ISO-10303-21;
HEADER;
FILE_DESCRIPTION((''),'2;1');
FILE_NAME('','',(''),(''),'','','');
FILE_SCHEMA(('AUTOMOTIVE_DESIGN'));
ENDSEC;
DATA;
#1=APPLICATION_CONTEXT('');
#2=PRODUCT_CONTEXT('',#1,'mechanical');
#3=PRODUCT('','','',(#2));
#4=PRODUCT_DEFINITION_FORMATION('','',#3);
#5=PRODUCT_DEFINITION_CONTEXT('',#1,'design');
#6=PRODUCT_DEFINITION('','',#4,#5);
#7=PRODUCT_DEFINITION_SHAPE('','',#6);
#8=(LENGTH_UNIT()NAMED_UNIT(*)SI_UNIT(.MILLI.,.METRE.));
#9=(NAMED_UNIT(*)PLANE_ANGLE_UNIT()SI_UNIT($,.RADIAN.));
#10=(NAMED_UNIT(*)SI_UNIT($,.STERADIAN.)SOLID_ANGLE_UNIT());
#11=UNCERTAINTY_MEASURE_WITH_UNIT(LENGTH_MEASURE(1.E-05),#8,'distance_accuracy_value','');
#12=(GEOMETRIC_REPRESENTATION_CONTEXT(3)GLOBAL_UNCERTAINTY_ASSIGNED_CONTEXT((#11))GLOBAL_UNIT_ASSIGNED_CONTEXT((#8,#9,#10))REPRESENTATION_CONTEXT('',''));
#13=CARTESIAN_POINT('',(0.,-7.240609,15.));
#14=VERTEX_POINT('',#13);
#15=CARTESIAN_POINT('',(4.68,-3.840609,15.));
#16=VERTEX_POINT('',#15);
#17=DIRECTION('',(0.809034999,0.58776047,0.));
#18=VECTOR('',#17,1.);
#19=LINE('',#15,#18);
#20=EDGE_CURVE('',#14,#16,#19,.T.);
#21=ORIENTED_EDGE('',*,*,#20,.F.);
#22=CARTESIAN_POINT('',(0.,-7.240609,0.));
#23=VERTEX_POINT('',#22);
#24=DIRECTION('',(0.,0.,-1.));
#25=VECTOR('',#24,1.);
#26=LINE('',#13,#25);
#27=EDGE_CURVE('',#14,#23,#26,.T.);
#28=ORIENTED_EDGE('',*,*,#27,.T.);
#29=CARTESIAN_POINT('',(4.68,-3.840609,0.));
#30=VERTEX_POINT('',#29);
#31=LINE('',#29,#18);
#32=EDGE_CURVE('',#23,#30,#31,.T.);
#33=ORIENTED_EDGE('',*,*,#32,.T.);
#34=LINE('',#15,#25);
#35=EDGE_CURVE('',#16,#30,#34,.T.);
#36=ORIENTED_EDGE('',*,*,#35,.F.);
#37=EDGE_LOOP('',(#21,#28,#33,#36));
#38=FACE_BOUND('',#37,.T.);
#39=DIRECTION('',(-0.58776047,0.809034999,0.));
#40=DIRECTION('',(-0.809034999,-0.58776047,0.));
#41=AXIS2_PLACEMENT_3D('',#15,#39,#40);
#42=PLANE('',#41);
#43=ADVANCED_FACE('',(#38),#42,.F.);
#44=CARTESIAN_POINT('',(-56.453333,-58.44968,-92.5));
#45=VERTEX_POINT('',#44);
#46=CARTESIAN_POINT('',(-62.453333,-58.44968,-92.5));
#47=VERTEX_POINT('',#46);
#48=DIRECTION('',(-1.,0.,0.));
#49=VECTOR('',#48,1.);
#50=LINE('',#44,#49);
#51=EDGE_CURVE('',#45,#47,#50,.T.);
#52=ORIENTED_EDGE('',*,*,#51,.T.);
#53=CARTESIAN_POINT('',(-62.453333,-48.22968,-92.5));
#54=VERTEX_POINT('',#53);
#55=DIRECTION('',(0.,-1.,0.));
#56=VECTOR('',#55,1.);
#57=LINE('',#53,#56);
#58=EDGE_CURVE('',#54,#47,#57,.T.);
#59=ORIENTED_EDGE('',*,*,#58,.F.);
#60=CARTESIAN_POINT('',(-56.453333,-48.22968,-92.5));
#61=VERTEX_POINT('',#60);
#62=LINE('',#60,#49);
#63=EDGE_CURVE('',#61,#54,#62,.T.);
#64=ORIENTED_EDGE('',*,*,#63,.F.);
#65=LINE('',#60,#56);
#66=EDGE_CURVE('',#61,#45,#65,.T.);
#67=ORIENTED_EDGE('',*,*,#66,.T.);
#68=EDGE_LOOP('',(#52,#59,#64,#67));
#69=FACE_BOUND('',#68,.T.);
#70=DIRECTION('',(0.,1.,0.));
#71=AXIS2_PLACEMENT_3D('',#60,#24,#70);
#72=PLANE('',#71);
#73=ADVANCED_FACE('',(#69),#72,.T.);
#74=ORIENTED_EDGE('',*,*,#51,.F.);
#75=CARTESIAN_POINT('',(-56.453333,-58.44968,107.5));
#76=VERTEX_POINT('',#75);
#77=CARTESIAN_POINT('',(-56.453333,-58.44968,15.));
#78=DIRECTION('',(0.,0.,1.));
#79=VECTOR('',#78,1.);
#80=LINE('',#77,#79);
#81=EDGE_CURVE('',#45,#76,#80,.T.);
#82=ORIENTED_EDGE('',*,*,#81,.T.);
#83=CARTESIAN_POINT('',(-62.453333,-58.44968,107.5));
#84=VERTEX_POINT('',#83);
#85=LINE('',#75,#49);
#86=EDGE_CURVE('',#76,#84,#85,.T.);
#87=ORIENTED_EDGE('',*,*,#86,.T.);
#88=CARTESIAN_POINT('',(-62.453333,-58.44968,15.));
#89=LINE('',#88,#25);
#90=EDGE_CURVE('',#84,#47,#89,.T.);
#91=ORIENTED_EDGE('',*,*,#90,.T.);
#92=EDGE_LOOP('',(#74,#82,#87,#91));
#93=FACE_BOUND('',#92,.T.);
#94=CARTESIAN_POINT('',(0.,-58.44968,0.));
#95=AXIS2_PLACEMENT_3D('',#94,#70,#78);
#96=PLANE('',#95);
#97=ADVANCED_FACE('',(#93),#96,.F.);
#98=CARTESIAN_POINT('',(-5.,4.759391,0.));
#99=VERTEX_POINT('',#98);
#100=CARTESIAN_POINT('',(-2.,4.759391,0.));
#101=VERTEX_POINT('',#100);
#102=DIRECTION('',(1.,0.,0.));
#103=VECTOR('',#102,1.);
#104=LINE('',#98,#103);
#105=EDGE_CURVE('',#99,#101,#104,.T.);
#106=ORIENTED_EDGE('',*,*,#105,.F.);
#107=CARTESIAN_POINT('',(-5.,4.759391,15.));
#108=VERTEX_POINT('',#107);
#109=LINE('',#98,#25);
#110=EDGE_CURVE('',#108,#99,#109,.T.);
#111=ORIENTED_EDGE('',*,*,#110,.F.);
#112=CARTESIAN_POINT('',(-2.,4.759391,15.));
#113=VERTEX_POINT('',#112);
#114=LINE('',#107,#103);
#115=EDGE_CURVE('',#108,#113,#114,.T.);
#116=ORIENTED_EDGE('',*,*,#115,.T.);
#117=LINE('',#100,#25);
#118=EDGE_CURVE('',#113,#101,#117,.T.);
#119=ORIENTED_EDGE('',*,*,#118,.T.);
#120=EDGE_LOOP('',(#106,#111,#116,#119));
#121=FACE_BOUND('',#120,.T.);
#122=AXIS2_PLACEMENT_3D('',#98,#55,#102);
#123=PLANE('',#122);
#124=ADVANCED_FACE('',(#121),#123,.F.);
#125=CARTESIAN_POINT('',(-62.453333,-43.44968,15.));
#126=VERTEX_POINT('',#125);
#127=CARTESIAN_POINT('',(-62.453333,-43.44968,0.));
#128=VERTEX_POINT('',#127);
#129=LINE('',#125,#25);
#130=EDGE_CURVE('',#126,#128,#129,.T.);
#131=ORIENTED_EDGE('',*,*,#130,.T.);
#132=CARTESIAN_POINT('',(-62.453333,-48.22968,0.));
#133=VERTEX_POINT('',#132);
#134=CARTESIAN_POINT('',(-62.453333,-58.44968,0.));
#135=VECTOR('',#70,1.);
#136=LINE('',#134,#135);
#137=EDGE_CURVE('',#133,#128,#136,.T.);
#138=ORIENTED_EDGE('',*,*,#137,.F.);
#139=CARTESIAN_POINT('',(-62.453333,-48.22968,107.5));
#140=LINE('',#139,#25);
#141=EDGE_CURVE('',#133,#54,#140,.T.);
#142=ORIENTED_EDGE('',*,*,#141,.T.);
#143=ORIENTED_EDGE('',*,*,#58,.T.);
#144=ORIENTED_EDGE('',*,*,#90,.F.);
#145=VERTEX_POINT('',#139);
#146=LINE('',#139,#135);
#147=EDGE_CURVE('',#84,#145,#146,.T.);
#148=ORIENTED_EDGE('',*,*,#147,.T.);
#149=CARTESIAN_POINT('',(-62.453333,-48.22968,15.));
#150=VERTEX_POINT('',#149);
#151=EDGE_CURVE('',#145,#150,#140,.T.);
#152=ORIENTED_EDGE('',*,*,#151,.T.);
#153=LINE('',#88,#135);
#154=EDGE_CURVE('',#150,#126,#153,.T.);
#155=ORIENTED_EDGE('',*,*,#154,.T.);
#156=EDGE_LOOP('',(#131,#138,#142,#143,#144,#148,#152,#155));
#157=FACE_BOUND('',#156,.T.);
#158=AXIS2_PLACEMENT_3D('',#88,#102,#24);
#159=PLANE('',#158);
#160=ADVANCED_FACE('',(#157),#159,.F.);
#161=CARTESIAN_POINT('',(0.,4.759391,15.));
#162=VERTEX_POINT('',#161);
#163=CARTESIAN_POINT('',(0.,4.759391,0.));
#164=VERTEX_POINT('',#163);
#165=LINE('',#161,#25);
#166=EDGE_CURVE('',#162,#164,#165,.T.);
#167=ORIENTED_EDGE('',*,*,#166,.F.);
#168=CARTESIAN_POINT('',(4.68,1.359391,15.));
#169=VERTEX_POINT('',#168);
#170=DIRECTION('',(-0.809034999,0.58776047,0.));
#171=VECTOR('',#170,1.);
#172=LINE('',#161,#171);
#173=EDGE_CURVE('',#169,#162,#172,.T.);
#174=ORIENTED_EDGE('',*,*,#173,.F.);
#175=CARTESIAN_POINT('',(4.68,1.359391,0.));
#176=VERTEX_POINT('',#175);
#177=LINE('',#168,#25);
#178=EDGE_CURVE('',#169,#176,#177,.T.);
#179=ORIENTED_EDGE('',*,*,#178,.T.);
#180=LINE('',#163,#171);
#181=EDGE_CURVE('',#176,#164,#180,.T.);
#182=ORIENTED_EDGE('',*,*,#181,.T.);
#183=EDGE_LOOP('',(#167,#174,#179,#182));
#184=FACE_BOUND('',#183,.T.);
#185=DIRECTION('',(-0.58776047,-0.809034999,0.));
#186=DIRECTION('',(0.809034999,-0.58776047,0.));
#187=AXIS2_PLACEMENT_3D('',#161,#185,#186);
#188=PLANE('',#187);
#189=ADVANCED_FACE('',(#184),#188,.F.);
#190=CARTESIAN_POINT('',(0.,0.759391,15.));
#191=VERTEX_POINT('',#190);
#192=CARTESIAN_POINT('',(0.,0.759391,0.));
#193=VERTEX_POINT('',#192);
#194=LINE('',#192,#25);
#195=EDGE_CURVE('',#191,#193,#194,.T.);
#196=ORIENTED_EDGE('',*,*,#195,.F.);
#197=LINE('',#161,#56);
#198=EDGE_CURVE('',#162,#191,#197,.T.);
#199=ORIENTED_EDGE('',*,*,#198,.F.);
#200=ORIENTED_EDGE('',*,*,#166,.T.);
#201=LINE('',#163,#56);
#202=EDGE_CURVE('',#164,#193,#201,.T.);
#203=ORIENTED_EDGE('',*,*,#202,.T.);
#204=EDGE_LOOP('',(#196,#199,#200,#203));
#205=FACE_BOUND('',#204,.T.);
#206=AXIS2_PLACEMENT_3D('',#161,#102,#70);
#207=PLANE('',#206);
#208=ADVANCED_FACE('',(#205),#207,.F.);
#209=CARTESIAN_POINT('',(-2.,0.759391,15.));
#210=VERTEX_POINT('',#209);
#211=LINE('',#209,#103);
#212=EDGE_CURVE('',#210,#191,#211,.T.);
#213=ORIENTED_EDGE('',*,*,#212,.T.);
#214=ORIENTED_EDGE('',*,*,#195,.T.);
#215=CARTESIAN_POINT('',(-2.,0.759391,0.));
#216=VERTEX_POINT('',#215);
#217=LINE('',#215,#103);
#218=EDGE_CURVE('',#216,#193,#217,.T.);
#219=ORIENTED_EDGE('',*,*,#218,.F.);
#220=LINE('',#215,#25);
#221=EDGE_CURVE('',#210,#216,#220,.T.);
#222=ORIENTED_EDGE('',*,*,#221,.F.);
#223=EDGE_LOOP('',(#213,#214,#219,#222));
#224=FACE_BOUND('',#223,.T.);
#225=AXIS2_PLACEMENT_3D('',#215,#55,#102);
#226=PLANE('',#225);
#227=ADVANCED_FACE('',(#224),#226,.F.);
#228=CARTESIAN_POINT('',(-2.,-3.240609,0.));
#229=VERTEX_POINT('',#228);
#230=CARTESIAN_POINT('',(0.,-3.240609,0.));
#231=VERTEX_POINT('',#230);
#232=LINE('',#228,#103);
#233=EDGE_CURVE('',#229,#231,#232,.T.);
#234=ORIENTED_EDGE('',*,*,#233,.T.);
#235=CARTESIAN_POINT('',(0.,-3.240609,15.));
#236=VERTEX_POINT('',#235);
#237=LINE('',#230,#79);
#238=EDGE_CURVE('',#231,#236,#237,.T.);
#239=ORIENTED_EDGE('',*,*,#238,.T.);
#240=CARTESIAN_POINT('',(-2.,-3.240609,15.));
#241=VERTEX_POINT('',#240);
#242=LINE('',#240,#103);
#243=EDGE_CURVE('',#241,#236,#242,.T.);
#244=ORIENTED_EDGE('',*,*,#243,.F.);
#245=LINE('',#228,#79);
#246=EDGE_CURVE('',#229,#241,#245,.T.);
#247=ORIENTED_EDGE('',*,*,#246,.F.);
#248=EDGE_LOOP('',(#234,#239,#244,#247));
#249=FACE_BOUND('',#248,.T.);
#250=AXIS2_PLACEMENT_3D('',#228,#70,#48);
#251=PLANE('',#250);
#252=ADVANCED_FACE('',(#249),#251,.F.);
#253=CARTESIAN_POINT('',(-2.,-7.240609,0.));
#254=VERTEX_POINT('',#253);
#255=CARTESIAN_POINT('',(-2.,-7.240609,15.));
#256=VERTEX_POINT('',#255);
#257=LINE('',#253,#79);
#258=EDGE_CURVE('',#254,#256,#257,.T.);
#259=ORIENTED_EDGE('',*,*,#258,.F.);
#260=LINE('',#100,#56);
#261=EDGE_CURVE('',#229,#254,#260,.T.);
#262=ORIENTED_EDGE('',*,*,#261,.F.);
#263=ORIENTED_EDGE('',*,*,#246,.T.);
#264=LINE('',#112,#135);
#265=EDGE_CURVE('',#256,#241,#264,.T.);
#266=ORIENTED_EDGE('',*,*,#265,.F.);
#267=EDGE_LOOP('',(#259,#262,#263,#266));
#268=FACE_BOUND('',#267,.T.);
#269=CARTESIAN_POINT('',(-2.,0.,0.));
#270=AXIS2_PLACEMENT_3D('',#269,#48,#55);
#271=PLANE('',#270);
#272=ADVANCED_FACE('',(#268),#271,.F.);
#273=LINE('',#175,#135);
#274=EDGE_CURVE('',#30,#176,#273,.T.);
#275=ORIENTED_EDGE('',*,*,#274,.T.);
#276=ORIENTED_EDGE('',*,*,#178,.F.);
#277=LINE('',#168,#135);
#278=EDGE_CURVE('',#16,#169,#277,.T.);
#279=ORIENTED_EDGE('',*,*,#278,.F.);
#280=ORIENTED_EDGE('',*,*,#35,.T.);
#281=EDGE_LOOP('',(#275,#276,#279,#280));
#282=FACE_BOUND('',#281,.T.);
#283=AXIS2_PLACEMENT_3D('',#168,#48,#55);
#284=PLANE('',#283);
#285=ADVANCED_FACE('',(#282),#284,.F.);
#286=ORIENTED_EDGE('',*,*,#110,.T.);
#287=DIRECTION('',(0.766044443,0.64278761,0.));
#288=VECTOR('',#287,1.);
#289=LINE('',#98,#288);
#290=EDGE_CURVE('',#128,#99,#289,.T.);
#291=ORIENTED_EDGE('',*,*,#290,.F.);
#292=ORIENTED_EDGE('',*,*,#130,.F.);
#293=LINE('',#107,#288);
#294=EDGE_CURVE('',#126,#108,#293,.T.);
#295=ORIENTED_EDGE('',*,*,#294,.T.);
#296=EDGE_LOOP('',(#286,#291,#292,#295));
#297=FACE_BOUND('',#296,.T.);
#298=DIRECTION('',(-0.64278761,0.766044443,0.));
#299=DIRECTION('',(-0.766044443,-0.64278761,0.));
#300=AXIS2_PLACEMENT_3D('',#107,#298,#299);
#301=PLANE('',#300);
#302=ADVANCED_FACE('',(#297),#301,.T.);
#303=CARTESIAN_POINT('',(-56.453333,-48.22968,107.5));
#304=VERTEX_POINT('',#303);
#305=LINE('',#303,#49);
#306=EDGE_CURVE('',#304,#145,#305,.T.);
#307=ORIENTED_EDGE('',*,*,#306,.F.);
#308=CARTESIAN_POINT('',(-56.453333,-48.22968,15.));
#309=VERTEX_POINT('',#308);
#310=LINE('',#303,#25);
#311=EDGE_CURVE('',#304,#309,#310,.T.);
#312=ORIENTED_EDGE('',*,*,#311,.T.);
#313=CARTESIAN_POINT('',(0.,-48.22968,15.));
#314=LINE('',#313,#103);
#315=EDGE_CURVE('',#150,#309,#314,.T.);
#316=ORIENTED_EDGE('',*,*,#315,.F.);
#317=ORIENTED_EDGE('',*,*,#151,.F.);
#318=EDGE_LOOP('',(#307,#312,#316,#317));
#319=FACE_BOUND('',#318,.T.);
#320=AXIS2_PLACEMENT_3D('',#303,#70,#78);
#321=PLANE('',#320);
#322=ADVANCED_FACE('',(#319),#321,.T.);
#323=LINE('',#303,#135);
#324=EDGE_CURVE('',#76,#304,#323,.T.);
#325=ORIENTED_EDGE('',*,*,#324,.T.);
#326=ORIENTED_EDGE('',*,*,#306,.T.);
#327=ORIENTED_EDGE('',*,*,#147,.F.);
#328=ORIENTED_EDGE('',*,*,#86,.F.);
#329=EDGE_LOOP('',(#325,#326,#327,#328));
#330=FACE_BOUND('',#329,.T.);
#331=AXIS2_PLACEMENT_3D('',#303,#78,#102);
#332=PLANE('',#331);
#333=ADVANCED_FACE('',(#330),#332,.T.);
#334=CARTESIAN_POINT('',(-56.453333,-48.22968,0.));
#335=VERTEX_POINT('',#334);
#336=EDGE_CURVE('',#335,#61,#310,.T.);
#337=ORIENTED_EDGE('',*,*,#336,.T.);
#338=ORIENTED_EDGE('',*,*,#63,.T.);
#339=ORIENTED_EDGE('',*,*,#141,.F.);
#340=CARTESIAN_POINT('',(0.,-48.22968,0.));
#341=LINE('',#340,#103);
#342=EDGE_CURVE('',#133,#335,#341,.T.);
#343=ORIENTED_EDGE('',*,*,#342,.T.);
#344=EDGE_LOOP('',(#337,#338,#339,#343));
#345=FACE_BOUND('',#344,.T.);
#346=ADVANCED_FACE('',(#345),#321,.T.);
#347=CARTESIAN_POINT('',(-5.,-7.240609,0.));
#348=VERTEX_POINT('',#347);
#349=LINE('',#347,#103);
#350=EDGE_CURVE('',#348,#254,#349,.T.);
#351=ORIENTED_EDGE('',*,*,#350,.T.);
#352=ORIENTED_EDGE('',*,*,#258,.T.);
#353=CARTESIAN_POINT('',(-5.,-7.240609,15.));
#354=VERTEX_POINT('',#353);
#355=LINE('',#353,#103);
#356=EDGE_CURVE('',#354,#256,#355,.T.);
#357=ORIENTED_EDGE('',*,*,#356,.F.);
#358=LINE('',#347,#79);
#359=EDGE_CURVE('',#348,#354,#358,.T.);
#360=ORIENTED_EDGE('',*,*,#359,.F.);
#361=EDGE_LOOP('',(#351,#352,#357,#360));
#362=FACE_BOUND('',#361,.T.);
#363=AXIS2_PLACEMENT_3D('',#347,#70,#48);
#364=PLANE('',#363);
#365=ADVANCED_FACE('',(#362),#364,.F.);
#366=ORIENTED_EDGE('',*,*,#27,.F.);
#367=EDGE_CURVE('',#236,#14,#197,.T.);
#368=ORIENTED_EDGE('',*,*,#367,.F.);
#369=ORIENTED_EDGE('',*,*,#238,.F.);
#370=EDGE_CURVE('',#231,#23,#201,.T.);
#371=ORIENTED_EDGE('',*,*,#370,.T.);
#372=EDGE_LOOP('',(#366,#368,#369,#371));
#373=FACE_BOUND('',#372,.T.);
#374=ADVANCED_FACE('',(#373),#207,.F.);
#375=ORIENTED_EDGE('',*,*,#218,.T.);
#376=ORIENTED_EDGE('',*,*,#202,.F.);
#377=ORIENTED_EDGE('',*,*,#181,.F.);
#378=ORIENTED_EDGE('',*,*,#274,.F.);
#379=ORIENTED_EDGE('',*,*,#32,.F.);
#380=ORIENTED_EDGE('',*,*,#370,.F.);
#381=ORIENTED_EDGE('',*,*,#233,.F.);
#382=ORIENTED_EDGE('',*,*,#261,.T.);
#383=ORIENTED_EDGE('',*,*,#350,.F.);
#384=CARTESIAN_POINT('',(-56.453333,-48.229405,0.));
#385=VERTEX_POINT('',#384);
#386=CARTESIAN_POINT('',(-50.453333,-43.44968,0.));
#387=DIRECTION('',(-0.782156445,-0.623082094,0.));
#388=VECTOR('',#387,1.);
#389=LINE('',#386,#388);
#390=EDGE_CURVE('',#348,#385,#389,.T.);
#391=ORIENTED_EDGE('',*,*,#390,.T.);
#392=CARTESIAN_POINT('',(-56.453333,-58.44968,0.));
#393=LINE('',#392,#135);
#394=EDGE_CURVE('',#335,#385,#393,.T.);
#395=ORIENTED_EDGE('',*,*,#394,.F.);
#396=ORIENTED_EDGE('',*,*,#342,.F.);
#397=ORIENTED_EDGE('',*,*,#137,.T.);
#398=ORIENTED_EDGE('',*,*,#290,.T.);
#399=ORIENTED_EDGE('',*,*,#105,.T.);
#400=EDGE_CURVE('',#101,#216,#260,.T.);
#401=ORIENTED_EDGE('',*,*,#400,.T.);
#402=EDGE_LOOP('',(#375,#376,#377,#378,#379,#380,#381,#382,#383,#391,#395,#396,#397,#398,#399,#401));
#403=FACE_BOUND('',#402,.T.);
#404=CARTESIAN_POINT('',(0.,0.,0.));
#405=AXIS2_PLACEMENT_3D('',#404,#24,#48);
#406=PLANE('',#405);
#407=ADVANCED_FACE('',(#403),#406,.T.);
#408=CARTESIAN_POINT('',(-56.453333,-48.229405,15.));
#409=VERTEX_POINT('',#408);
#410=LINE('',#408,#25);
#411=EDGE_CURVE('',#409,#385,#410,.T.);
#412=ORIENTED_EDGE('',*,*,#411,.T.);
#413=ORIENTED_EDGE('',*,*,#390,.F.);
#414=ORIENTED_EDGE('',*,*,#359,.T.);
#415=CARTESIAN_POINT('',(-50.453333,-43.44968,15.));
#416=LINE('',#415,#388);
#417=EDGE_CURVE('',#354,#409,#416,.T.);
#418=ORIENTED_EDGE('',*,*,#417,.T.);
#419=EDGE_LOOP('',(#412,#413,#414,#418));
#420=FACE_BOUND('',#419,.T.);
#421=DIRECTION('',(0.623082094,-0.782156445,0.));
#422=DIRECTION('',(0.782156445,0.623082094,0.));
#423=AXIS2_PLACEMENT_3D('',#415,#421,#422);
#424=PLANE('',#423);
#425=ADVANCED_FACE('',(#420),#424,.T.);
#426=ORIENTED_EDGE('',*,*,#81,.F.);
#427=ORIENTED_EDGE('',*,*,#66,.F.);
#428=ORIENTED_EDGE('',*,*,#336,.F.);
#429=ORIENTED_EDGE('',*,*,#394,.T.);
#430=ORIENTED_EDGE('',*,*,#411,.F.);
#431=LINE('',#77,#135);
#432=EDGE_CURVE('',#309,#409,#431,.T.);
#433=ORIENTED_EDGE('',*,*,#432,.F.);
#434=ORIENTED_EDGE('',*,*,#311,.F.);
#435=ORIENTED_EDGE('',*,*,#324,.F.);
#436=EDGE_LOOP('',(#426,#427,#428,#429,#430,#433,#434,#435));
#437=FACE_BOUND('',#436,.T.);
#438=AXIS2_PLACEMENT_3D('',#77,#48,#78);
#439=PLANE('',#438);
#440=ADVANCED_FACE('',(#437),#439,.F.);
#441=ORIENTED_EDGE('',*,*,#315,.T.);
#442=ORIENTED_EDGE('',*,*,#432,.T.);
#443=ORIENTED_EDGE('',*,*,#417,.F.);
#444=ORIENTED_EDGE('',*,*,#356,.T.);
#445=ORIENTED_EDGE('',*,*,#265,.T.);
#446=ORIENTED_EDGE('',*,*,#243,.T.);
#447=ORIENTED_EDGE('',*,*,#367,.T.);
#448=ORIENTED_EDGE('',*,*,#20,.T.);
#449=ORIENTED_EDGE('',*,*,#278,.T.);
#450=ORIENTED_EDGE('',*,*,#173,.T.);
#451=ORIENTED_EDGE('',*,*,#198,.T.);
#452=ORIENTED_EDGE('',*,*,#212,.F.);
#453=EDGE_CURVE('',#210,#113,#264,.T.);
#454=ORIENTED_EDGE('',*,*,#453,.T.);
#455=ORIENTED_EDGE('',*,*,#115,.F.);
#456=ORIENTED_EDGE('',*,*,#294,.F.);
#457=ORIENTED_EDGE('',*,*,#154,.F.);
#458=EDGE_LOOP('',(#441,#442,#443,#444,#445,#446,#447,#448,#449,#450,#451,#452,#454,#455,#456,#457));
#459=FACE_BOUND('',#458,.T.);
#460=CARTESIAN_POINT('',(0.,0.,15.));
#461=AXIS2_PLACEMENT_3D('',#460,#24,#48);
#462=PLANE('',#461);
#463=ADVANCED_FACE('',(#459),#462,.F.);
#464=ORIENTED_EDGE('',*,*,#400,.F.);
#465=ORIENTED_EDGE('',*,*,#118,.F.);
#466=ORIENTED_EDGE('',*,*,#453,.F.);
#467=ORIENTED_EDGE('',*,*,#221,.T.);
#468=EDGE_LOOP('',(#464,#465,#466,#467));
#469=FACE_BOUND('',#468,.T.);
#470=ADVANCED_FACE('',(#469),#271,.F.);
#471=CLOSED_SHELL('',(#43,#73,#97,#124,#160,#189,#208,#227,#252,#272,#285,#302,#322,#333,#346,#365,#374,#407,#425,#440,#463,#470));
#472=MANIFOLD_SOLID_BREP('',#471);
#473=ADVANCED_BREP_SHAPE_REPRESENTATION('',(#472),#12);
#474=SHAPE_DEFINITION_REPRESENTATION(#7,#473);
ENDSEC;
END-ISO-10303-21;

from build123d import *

# Parameters (mm, degrees)
BOSS_EXTRU_1_DEPTH = 15
ESQUISSE3_W        = 15
ESQUISSE3_H        = 4
BOSS_EXTRU_2_DEPTH = 2
ESQUISSE4_W        = 15
ESQUISSE4_H        = 12
BOSS_EXTRU_3_DEPTH = 3
BOSS_EXTRU_4_DEPTH = 15
ESQUISSE6_W        = 6
ESQUISSE6_H        = 15
BOSS_EXTRU_5_DEPTH = 15
BOSS_EXTRU_6_DEPTH = 15
ESQUISSE8_W        = 200
ESQUISSE8_H        = 10.22
BOSS_EXTRU_7_DEPTH = 6


with BuildPart() as part:
    # Esquisse1 → Boss.-Extru.1 (new body)
    with BuildSketch(Plane.XY):
        Polygon((0, 4.759390863), (4.68, 1.359390863), (4.68, -3.840609137), (0, -7.240609137), align=None)
    extrude(amount=BOSS_EXTRU_1_DEPTH)

    # Esquisse3 → Boss.-Extru.2 (add)
    with BuildSketch(Plane.ZY):
        with Locations((7.5, -1.240609137)):
            Rectangle(ESQUISSE3_W, ESQUISSE3_H)
    extrude(amount=BOSS_EXTRU_2_DEPTH)

    # Esquisse4 → Boss.-Extru.3 (add)
    with BuildSketch(Plane.ZY.offset(2)):
        with Locations((7.5, -1.240609137)):
            Rectangle(ESQUISSE4_W, ESQUISSE4_H)
    extrude(amount=BOSS_EXTRU_3_DEPTH)

    # Esquisse5 → Boss.-Extru.4 (add)
    with BuildSketch(Plane(origin=(0, 0, 0), x_dir=(-1, 0, 0), z_dir=(0, 0, -1))):
        Polygon((5, 4.759390863), (62.453333234, -43.449679864), (50.453333234, -43.449679864), (5, -7.240609137), align=None)
    extrude(amount=-BOSS_EXTRU_4_DEPTH)

    # Esquisse6 → Boss.-Extru.5 (add)
    with BuildSketch(Plane(origin=(0, -43.449679864, 0), x_dir=(-1, 0, 0), z_dir=(0, -1, 0))):
        with Locations((59.453333234, -7.5)):
            Rectangle(ESQUISSE6_W, ESQUISSE6_H)
    extrude(amount=BOSS_EXTRU_5_DEPTH)

    # Esquisse7 → Boss.-Extru.6 (add)
    with BuildSketch(Plane(origin=(0, 0, 0), x_dir=(-1, 0, 0), z_dir=(0, 0, -1))):
        Polygon((50.453333234, -43.449679864), (56.453333234, -48.229404669), (56.453333234, -43.449679864), align=None)
    extrude(amount=-BOSS_EXTRU_6_DEPTH)

    # Esquisse8 → Boss.-Extru.7 (add)
    with BuildSketch(Plane.ZY.offset(62.453333234)):
        with Locations((7.5, -53.339679864)):
            Rectangle(ESQUISSE8_W, ESQUISSE8_H)
    extrude(amount=-BOSS_EXTRU_7_DEPTH)


solid = part.part
